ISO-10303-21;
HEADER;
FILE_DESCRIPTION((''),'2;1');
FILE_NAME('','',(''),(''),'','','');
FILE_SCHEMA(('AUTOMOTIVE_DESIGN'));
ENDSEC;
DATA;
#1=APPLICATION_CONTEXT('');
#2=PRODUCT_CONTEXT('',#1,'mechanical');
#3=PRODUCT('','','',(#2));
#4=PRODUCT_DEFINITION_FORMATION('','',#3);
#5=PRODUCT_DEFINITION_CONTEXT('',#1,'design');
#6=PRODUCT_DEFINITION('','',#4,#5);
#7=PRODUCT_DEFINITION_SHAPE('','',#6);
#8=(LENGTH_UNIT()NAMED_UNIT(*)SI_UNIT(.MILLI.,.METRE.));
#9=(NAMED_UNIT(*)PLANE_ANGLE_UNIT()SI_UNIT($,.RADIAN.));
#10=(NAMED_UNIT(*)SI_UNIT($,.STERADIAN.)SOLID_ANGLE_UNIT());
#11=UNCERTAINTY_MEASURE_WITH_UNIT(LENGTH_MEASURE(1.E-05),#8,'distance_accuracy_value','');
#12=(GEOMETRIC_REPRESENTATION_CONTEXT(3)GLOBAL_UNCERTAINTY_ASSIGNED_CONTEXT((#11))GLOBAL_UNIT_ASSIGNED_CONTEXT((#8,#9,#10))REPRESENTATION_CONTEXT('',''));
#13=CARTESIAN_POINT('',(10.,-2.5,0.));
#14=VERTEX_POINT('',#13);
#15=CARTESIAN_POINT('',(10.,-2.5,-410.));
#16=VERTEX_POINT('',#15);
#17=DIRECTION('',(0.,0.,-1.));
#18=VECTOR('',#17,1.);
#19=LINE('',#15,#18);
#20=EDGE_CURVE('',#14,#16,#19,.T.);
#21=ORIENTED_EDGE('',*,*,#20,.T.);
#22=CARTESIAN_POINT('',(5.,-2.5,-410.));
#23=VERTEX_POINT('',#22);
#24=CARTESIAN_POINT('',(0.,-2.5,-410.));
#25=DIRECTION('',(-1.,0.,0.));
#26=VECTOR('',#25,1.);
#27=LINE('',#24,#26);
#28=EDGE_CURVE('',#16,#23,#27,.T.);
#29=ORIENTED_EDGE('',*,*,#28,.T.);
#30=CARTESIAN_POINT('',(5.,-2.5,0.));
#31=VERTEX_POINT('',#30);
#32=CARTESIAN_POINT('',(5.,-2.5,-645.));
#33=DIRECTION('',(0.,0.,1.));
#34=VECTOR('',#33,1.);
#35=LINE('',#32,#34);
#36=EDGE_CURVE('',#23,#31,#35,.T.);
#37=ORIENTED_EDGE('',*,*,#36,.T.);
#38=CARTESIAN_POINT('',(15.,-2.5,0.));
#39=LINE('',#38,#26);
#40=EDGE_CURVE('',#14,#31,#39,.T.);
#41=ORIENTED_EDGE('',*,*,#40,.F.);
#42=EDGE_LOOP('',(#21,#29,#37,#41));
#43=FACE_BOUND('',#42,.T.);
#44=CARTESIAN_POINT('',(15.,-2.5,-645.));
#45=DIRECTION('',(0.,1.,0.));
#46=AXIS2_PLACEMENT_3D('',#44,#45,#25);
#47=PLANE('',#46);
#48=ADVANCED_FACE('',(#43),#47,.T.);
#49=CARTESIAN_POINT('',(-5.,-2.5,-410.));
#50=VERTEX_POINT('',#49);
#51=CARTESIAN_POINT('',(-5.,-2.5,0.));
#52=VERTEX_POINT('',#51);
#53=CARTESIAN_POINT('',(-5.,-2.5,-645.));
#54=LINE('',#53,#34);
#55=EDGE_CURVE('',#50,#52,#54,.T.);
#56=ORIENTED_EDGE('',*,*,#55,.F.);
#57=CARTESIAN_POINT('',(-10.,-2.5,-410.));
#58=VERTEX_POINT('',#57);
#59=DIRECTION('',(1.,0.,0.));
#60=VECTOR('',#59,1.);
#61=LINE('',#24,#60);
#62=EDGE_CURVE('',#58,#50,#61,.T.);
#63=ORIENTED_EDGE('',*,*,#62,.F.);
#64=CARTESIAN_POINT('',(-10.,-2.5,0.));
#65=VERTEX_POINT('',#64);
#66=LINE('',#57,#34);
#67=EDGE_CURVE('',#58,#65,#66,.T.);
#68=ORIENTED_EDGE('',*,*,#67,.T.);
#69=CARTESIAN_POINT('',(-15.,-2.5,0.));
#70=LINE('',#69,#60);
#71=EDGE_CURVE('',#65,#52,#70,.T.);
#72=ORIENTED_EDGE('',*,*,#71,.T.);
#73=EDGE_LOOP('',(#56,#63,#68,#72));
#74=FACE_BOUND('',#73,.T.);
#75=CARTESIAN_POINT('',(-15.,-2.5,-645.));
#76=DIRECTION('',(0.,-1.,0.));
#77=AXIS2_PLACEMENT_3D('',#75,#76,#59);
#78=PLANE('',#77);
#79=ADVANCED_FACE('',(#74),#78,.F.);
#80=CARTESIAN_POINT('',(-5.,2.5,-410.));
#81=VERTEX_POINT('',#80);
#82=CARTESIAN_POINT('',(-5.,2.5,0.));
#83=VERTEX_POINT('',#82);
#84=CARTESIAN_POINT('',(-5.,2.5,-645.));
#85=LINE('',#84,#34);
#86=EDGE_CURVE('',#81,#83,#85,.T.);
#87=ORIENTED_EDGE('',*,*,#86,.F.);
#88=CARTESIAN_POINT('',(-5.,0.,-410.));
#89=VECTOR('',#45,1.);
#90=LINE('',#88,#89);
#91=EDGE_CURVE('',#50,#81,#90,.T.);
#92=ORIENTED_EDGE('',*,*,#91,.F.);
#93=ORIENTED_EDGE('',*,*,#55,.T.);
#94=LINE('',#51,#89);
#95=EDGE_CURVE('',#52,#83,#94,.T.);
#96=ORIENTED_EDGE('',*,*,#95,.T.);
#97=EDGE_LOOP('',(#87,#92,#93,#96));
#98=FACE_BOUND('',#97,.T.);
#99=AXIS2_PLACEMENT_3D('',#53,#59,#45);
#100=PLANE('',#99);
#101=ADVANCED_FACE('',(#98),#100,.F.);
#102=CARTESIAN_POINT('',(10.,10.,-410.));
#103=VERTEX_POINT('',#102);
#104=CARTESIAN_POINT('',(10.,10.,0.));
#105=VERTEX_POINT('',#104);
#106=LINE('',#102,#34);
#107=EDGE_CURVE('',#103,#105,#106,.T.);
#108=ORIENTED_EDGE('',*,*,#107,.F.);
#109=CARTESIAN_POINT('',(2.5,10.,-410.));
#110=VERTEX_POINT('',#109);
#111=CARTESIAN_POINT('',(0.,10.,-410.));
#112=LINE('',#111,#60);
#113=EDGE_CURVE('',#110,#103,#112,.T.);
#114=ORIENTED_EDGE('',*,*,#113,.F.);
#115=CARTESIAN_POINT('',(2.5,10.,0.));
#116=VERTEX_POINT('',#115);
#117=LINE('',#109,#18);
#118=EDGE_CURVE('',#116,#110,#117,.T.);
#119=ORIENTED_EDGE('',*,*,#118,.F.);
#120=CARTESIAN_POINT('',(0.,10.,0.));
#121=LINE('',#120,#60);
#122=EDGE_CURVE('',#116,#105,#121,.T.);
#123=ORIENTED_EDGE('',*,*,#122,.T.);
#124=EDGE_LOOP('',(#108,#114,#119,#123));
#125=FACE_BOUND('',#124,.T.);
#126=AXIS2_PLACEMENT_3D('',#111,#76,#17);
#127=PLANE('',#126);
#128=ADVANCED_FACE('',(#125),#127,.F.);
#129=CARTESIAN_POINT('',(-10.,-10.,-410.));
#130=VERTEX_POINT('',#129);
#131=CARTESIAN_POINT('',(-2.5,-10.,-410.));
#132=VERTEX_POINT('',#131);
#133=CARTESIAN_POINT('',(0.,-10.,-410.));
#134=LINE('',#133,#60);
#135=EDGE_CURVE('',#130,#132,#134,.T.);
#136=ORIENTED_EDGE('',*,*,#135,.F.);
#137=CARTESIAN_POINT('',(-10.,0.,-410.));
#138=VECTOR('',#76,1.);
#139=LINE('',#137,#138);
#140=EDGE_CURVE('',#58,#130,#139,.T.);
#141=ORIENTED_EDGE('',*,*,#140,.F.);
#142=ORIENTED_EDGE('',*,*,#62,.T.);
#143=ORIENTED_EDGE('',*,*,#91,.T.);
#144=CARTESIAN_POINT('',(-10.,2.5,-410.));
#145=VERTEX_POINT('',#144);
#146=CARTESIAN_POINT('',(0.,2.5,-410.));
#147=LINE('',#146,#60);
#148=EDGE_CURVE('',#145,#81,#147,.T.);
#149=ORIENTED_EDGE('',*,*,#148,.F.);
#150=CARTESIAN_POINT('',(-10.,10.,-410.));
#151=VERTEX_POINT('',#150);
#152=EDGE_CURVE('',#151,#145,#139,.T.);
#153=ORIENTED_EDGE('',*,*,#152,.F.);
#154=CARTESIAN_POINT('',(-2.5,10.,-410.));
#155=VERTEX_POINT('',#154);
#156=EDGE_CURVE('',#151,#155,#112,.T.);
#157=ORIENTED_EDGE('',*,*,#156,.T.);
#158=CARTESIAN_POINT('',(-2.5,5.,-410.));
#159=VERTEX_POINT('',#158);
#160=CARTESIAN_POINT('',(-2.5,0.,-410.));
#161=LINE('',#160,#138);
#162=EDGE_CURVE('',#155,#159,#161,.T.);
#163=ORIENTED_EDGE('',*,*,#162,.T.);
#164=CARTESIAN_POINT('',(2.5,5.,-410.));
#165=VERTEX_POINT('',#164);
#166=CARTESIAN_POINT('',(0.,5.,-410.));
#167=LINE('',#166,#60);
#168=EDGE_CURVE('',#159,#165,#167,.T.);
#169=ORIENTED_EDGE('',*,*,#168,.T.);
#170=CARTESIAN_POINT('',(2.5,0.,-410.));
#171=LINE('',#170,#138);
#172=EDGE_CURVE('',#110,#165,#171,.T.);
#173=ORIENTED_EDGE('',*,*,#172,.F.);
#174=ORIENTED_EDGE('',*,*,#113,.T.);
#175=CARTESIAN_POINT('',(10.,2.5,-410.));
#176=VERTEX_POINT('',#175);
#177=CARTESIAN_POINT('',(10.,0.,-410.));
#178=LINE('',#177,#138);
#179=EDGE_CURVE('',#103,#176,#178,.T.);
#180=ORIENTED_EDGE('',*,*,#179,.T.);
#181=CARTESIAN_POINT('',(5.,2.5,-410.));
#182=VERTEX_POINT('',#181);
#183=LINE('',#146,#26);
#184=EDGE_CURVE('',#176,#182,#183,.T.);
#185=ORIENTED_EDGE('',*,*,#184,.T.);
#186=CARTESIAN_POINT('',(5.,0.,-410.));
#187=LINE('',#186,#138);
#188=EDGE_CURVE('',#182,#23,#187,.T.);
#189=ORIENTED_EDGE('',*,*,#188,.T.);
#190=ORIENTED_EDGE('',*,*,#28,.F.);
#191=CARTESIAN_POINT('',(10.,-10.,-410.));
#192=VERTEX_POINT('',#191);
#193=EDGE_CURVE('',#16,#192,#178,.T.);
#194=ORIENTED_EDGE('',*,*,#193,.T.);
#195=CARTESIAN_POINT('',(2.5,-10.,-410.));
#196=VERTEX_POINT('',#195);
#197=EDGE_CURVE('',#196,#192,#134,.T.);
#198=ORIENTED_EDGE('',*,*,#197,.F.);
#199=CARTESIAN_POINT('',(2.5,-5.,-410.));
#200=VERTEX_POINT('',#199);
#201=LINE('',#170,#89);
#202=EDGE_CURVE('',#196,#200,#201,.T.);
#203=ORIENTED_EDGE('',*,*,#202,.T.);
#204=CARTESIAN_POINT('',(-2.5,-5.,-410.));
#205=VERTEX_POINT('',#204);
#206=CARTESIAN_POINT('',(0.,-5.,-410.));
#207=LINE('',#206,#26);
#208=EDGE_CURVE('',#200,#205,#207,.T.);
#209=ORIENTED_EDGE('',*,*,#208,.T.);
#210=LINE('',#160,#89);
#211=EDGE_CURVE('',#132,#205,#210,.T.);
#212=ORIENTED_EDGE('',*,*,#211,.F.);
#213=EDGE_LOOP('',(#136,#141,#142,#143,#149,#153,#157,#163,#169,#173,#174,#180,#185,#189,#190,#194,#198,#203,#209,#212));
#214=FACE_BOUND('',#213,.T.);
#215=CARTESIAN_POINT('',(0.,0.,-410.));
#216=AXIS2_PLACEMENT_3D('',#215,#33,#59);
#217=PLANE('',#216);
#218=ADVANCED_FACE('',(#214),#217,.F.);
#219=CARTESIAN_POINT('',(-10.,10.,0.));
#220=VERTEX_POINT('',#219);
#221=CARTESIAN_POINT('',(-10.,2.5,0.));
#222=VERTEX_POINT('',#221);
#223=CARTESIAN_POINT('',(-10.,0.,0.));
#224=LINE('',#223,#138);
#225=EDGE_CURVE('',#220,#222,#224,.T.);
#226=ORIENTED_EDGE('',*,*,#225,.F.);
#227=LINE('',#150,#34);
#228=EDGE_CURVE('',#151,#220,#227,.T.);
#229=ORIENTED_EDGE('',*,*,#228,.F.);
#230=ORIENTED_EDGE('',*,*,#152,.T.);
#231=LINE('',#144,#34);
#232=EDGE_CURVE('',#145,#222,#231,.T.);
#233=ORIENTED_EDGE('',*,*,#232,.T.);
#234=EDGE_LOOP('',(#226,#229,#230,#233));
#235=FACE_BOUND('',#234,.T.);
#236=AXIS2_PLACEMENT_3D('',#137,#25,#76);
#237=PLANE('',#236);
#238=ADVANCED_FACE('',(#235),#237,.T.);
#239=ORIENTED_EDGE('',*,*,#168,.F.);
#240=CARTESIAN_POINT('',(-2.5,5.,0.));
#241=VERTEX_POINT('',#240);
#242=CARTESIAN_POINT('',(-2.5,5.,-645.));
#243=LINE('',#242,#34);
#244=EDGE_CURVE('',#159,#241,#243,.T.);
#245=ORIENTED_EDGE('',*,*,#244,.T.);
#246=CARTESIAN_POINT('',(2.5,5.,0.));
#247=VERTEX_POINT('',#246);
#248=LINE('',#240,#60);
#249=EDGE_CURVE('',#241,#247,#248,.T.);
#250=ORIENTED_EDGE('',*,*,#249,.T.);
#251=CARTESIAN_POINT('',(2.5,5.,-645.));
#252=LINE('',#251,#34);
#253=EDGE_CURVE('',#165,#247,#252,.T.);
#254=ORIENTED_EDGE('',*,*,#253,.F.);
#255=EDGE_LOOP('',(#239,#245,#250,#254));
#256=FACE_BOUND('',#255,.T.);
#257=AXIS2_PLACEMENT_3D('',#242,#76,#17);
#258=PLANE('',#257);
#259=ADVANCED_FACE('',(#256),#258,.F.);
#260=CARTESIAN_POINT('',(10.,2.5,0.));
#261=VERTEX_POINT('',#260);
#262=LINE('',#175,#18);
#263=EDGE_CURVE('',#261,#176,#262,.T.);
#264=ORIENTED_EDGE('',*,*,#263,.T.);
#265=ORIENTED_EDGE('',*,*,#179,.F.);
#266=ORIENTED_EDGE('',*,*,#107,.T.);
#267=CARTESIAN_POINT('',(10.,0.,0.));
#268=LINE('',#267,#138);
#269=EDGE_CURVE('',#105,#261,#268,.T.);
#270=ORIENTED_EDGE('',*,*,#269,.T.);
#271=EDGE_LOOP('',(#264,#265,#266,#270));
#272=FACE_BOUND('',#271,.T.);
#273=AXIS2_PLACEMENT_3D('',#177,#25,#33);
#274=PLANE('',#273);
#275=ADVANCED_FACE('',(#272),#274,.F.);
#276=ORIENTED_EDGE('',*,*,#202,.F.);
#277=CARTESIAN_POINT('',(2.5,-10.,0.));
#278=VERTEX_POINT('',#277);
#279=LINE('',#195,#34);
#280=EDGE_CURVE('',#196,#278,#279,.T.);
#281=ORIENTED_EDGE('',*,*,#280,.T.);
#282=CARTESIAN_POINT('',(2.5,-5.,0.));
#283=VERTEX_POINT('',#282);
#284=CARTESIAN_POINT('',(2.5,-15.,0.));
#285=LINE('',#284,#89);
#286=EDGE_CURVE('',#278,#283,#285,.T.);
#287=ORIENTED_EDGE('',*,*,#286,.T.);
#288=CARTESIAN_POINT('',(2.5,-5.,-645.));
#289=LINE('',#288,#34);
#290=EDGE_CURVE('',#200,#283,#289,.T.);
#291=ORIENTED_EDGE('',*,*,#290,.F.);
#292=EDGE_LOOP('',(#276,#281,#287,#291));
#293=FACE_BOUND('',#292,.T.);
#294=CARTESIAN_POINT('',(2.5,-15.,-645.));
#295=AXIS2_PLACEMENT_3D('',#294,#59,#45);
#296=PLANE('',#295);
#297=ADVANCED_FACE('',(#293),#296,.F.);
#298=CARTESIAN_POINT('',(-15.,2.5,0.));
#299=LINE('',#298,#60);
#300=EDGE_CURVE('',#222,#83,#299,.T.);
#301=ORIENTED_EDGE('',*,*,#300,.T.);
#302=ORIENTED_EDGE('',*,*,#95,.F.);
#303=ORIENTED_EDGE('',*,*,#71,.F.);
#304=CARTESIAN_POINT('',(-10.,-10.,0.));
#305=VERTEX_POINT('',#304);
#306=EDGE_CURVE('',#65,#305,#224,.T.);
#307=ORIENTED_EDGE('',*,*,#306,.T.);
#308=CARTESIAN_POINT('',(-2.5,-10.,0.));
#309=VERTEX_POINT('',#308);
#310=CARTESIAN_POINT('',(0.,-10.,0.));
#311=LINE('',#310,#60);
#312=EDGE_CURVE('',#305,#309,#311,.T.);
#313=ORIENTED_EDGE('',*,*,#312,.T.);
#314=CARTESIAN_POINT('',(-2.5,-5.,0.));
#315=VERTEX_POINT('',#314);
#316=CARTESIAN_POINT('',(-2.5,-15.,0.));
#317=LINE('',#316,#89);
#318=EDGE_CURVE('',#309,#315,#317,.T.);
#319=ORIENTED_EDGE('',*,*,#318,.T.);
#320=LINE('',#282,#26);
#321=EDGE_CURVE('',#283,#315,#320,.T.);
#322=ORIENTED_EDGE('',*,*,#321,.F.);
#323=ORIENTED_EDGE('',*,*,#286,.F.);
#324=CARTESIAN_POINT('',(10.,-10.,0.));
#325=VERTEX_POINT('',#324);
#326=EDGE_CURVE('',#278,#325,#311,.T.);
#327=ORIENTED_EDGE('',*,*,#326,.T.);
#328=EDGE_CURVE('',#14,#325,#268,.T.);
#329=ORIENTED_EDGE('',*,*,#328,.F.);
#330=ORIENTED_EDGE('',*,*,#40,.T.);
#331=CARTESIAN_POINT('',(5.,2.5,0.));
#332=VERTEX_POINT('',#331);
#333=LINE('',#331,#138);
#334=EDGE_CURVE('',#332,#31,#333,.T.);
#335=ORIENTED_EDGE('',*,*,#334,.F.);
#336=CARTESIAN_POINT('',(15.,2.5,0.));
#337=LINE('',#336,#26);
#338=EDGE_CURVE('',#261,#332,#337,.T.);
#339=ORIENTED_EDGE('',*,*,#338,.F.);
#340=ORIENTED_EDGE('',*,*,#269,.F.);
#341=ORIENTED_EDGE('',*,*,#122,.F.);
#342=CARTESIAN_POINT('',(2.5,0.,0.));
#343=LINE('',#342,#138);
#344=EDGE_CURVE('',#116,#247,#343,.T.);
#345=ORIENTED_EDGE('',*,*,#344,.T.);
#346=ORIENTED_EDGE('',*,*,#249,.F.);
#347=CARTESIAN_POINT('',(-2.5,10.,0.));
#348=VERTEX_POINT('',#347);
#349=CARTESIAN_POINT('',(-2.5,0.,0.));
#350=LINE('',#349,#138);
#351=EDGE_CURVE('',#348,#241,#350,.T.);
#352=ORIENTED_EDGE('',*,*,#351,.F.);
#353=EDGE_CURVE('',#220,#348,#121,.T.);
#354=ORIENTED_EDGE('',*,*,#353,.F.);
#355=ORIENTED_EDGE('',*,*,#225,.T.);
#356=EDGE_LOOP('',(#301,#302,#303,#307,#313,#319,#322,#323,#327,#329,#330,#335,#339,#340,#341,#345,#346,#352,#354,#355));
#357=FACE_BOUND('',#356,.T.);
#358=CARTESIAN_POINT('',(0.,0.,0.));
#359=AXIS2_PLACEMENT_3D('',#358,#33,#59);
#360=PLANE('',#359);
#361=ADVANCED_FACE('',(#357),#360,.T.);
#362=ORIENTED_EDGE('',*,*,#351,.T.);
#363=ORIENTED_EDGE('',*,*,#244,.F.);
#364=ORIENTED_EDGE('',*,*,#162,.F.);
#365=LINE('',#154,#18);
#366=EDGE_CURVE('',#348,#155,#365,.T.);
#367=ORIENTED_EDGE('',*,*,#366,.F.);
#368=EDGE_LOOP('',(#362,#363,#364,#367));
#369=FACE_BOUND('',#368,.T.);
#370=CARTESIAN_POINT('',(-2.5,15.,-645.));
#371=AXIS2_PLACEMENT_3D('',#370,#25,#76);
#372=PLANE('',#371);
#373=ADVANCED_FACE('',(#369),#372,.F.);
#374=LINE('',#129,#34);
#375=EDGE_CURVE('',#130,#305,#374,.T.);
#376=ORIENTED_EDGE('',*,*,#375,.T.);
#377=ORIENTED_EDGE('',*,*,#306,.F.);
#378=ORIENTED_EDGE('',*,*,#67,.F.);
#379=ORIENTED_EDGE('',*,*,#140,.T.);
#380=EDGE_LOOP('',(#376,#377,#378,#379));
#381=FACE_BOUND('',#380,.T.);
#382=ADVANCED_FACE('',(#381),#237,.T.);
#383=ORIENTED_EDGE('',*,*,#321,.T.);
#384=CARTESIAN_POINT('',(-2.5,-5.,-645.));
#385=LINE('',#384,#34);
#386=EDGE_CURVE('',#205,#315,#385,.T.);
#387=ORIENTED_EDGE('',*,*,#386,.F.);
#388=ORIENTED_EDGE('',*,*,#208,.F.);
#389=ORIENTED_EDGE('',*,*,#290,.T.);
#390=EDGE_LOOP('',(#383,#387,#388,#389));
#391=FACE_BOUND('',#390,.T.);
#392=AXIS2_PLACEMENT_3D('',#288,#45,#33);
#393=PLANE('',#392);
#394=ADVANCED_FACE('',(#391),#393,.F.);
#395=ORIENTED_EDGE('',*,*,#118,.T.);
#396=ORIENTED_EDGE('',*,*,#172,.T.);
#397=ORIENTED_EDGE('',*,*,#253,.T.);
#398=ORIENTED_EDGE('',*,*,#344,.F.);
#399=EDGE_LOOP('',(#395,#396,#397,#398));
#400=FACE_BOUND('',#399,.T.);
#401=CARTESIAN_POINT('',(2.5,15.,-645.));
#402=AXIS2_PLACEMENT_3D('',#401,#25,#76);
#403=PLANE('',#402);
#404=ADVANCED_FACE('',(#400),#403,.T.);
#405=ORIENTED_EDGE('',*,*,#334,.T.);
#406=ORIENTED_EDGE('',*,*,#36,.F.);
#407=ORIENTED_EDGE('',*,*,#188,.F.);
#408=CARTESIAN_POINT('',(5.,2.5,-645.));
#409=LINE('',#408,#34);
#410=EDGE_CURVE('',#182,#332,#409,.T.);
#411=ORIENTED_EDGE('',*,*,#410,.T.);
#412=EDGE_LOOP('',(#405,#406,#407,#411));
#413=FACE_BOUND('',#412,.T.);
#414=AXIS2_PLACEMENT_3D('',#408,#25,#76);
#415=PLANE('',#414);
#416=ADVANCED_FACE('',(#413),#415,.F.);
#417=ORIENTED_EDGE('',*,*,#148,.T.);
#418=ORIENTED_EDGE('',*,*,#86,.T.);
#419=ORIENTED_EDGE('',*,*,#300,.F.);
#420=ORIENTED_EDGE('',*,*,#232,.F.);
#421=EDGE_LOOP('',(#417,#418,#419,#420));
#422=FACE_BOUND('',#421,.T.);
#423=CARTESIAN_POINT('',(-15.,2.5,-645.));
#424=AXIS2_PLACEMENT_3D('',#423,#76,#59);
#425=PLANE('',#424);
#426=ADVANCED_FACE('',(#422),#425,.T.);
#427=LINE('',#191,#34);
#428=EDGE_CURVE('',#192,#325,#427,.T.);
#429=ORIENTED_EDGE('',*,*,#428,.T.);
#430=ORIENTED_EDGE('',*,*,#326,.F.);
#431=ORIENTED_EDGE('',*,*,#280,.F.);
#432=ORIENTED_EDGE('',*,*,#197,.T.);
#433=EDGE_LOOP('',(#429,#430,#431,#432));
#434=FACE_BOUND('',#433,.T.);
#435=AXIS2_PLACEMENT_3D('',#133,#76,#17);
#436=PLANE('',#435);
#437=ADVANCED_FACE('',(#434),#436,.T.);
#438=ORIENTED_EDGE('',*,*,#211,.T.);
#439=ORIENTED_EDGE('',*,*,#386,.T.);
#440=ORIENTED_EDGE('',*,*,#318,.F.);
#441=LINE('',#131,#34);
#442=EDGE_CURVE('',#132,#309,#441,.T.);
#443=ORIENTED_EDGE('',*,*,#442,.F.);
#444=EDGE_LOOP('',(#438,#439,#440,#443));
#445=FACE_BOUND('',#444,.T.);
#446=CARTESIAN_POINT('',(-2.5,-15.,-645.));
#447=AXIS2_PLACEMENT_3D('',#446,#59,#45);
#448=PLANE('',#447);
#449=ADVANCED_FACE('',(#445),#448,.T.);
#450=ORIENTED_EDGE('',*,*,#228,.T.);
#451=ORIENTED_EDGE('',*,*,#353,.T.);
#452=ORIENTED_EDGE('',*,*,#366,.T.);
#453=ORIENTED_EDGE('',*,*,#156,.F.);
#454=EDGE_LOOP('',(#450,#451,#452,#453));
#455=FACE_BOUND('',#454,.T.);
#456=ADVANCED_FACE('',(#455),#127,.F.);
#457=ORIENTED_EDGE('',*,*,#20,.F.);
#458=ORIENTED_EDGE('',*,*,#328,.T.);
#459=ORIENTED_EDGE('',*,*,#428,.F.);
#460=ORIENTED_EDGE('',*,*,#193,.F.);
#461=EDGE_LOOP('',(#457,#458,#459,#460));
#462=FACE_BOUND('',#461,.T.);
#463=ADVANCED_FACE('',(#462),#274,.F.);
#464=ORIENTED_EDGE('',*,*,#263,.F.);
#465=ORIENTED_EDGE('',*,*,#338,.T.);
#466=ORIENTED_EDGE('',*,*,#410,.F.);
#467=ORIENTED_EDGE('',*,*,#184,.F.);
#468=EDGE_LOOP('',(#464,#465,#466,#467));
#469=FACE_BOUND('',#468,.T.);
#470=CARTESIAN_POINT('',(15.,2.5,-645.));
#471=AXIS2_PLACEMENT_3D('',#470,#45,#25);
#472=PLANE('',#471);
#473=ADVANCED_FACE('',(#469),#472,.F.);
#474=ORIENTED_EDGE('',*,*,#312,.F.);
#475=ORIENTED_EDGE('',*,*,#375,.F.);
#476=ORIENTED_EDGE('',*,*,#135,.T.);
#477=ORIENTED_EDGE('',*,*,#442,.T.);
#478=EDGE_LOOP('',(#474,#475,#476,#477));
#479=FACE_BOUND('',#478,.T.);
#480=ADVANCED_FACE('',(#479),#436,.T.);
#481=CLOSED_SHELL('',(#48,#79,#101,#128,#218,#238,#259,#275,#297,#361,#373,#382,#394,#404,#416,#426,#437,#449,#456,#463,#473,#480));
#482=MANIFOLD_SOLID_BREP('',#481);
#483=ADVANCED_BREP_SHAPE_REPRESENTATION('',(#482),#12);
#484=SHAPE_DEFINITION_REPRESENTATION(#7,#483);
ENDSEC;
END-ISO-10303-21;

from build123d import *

# Parameters (mm, degrees)
SKETCH1_W           = 20
SKETCH1_H           = 20
BOSS_EXTRUDE1_DEPTH = 410
SKETCH1_3_W         = 5
SKETCH1_3_H         = 10
CUT_EXTRUDE1_DEPTH  = 645
CIRPATTERN1_COUNT   = 4


with BuildPart() as part:
    # Sketch1 → Boss-Extrude1 (new body)
    with BuildSketch(Plane.XY):
        Rectangle(SKETCH1_W, SKETCH1_H)
    extrude(amount=-BOSS_EXTRUDE1_DEPTH)

    # Sketch1<3> → Cut-Extrude1 (cut)
    with BuildSketch(Plane.XY):
        with Locations((0, 10)):
            Rectangle(SKETCH1_3_W, SKETCH1_3_H)
    cut_extrude1 = extrude(amount=-CUT_EXTRUDE1_DEPTH, mode=Mode.SUBTRACT)

    # CirPattern1: Cut-Extrude1 ×4 about axis
    cirpattern1_axis = Axis((0, 0, -256.415447735), (0, 0, -1))
    for i in range(1, CIRPATTERN1_COUNT):
        add(cut_extrude1.rotate(cirpattern1_axis, i * 360 / CIRPATTERN1_COUNT), mode=Mode.SUBTRACT)


solid = part.part
